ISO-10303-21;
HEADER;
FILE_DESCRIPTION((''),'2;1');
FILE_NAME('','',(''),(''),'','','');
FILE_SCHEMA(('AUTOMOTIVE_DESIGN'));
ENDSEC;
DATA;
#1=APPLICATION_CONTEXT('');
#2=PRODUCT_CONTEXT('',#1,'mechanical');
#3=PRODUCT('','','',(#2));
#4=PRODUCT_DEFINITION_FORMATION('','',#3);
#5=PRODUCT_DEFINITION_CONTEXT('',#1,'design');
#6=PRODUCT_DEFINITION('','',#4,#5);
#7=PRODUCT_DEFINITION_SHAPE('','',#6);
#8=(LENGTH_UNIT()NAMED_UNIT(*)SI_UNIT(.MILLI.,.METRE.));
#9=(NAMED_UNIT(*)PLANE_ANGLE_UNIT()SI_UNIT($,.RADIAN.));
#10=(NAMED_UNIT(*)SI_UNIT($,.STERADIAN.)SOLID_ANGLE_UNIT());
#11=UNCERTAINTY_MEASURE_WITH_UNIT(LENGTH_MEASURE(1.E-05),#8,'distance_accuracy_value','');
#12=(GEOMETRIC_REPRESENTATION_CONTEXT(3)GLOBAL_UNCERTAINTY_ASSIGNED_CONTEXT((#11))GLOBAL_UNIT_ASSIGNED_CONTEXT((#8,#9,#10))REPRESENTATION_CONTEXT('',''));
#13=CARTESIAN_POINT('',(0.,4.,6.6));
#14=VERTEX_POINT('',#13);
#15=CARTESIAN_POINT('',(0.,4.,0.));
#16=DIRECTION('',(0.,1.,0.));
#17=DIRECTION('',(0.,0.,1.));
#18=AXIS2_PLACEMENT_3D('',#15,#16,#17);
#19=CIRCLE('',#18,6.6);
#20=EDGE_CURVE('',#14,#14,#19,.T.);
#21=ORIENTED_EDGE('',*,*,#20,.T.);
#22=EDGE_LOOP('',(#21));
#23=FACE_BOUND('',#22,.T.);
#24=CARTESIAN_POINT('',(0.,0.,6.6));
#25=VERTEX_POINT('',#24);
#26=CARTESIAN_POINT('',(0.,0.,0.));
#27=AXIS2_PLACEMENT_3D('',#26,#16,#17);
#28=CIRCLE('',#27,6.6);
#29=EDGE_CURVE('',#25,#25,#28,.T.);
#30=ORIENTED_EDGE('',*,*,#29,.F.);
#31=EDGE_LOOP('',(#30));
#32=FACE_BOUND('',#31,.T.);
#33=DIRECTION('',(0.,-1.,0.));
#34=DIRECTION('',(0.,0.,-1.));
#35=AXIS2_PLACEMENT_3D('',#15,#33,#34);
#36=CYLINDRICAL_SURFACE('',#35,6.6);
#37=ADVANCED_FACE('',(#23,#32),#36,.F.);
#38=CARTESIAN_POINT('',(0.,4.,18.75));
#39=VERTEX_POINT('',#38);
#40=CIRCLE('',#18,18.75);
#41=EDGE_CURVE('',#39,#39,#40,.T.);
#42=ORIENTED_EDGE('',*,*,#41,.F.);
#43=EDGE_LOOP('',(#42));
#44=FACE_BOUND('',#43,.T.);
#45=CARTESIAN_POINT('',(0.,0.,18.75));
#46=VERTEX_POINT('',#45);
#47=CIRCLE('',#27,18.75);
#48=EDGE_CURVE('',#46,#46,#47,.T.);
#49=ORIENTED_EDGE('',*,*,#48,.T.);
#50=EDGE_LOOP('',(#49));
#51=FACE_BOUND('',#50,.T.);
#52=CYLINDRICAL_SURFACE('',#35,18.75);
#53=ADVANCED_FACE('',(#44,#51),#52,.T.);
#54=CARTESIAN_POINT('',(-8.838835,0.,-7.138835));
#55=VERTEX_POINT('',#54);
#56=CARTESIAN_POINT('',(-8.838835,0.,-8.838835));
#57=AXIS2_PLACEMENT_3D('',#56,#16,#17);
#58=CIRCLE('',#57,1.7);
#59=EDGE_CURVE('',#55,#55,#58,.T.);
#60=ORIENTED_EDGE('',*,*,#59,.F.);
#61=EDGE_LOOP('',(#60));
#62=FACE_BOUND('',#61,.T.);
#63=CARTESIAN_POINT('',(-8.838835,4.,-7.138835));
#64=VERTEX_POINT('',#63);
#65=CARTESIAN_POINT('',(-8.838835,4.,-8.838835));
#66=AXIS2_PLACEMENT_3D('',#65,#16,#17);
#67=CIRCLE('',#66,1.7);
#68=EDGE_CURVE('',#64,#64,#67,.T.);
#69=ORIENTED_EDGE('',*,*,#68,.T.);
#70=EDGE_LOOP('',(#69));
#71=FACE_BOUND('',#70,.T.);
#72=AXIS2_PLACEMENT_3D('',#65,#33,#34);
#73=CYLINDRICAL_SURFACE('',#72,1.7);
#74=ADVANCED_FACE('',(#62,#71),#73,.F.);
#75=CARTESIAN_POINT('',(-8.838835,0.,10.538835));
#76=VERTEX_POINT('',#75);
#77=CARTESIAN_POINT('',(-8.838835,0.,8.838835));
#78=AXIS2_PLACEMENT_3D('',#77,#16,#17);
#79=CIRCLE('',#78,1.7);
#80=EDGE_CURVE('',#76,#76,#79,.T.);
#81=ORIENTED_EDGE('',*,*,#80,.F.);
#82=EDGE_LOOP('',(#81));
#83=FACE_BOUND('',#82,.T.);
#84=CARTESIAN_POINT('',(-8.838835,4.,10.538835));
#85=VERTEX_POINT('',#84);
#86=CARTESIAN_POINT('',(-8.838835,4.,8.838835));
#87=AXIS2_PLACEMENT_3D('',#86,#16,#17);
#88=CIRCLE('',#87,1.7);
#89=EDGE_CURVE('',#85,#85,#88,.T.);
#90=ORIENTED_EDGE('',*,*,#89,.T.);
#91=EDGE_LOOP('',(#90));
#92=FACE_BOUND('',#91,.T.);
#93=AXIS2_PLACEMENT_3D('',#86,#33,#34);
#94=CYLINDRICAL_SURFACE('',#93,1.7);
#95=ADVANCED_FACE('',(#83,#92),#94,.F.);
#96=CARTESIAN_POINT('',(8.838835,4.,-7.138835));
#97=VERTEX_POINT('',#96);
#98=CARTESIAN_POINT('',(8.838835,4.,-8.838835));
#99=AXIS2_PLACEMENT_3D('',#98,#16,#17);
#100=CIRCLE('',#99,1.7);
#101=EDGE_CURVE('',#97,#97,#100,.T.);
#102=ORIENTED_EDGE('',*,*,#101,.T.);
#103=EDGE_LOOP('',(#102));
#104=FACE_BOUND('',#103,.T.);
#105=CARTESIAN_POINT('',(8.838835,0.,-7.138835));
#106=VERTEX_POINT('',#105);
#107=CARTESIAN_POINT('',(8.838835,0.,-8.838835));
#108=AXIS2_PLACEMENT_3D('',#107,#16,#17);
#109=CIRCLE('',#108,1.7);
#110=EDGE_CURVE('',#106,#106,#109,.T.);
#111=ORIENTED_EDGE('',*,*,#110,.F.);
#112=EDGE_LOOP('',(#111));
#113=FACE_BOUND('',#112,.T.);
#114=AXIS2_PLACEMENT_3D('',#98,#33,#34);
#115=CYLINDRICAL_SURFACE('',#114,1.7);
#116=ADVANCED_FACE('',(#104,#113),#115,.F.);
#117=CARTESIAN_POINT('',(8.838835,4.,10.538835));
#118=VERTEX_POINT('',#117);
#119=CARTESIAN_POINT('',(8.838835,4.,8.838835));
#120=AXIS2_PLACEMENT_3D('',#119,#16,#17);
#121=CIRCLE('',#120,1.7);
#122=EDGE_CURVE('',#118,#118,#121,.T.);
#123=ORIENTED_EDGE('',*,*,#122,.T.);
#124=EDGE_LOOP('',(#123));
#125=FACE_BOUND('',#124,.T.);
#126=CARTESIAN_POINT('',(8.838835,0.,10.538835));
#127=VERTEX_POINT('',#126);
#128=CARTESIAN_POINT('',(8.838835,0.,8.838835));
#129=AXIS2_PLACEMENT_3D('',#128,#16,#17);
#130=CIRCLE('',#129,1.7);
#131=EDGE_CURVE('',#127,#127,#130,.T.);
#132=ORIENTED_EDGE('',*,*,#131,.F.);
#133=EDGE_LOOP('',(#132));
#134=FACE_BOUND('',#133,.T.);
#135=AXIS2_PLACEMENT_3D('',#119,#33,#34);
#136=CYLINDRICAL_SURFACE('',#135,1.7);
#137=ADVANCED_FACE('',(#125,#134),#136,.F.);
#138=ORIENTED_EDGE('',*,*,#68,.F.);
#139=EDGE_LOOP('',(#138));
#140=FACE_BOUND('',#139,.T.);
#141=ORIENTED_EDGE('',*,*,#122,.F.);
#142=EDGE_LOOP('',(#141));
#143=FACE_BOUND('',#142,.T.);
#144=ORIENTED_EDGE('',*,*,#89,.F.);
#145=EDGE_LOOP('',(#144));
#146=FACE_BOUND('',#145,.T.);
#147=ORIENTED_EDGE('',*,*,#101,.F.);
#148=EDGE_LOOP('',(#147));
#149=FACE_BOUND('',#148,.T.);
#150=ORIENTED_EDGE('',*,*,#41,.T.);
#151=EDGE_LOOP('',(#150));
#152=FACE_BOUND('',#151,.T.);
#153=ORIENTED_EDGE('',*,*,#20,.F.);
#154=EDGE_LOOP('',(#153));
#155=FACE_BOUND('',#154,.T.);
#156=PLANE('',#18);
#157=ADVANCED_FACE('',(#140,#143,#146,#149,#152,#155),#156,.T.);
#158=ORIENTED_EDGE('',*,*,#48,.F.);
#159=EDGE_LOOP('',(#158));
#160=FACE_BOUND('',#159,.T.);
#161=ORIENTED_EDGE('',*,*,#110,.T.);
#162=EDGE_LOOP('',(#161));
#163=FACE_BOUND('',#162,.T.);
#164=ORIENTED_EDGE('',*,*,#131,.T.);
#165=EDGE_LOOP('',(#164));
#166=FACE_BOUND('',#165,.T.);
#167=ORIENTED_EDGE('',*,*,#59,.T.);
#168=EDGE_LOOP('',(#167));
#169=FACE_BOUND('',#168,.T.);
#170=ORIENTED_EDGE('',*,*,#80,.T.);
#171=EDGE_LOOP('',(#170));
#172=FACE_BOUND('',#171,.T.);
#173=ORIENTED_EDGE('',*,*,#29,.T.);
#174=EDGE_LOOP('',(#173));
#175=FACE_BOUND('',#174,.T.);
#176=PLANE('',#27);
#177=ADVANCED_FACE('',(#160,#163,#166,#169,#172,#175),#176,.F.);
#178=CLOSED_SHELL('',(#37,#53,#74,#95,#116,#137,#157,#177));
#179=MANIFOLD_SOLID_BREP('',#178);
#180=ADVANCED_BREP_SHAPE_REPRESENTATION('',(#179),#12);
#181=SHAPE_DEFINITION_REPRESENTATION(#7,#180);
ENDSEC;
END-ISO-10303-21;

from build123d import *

# Parameters (mm, degrees)
SKETCH1_R           = 18.75
SKETCH1_R_2         = 1.7
SKETCH1_R_3         = 6.6
BOSS_EXTRUDE1_DEPTH = 4


with BuildPart() as part:
    # Sketch1 → Boss-Extrude1 (new body)
    with BuildSketch(Plane(origin=(0, 0, 0), x_dir=(1, 0, 0), z_dir=(0, 1, 0))):
        with Locations(Location((0, 0, 0), (0, 0, 270))):
            Circle(SKETCH1_R)
        with Locations(Location((-8.838834765, 8.838834765, 0), (0, 0, 270))):
            Circle(SKETCH1_R_2, mode=Mode.SUBTRACT)
        with Locations(Location((-8.838834765, -8.838834765, 0), (0, 0, 270))):
            Circle(SKETCH1_R_2, mode=Mode.SUBTRACT)
        with Locations(Location((8.838834765, -8.838834765, 0), (0, 0, 270))):
            Circle(SKETCH1_R_2, mode=Mode.SUBTRACT)
        with Locations(Location((8.838834765, 8.838834765, 0), (0, 0, 270))):
            Circle(SKETCH1_R_2, mode=Mode.SUBTRACT)
        with Locations(Location((0, 0, 0), (0, 0, 270))):
            Circle(SKETCH1_R_3, mode=Mode.SUBTRACT)
    extrude(amount=BOSS_EXTRUDE1_DEPTH)


solid = part.part
